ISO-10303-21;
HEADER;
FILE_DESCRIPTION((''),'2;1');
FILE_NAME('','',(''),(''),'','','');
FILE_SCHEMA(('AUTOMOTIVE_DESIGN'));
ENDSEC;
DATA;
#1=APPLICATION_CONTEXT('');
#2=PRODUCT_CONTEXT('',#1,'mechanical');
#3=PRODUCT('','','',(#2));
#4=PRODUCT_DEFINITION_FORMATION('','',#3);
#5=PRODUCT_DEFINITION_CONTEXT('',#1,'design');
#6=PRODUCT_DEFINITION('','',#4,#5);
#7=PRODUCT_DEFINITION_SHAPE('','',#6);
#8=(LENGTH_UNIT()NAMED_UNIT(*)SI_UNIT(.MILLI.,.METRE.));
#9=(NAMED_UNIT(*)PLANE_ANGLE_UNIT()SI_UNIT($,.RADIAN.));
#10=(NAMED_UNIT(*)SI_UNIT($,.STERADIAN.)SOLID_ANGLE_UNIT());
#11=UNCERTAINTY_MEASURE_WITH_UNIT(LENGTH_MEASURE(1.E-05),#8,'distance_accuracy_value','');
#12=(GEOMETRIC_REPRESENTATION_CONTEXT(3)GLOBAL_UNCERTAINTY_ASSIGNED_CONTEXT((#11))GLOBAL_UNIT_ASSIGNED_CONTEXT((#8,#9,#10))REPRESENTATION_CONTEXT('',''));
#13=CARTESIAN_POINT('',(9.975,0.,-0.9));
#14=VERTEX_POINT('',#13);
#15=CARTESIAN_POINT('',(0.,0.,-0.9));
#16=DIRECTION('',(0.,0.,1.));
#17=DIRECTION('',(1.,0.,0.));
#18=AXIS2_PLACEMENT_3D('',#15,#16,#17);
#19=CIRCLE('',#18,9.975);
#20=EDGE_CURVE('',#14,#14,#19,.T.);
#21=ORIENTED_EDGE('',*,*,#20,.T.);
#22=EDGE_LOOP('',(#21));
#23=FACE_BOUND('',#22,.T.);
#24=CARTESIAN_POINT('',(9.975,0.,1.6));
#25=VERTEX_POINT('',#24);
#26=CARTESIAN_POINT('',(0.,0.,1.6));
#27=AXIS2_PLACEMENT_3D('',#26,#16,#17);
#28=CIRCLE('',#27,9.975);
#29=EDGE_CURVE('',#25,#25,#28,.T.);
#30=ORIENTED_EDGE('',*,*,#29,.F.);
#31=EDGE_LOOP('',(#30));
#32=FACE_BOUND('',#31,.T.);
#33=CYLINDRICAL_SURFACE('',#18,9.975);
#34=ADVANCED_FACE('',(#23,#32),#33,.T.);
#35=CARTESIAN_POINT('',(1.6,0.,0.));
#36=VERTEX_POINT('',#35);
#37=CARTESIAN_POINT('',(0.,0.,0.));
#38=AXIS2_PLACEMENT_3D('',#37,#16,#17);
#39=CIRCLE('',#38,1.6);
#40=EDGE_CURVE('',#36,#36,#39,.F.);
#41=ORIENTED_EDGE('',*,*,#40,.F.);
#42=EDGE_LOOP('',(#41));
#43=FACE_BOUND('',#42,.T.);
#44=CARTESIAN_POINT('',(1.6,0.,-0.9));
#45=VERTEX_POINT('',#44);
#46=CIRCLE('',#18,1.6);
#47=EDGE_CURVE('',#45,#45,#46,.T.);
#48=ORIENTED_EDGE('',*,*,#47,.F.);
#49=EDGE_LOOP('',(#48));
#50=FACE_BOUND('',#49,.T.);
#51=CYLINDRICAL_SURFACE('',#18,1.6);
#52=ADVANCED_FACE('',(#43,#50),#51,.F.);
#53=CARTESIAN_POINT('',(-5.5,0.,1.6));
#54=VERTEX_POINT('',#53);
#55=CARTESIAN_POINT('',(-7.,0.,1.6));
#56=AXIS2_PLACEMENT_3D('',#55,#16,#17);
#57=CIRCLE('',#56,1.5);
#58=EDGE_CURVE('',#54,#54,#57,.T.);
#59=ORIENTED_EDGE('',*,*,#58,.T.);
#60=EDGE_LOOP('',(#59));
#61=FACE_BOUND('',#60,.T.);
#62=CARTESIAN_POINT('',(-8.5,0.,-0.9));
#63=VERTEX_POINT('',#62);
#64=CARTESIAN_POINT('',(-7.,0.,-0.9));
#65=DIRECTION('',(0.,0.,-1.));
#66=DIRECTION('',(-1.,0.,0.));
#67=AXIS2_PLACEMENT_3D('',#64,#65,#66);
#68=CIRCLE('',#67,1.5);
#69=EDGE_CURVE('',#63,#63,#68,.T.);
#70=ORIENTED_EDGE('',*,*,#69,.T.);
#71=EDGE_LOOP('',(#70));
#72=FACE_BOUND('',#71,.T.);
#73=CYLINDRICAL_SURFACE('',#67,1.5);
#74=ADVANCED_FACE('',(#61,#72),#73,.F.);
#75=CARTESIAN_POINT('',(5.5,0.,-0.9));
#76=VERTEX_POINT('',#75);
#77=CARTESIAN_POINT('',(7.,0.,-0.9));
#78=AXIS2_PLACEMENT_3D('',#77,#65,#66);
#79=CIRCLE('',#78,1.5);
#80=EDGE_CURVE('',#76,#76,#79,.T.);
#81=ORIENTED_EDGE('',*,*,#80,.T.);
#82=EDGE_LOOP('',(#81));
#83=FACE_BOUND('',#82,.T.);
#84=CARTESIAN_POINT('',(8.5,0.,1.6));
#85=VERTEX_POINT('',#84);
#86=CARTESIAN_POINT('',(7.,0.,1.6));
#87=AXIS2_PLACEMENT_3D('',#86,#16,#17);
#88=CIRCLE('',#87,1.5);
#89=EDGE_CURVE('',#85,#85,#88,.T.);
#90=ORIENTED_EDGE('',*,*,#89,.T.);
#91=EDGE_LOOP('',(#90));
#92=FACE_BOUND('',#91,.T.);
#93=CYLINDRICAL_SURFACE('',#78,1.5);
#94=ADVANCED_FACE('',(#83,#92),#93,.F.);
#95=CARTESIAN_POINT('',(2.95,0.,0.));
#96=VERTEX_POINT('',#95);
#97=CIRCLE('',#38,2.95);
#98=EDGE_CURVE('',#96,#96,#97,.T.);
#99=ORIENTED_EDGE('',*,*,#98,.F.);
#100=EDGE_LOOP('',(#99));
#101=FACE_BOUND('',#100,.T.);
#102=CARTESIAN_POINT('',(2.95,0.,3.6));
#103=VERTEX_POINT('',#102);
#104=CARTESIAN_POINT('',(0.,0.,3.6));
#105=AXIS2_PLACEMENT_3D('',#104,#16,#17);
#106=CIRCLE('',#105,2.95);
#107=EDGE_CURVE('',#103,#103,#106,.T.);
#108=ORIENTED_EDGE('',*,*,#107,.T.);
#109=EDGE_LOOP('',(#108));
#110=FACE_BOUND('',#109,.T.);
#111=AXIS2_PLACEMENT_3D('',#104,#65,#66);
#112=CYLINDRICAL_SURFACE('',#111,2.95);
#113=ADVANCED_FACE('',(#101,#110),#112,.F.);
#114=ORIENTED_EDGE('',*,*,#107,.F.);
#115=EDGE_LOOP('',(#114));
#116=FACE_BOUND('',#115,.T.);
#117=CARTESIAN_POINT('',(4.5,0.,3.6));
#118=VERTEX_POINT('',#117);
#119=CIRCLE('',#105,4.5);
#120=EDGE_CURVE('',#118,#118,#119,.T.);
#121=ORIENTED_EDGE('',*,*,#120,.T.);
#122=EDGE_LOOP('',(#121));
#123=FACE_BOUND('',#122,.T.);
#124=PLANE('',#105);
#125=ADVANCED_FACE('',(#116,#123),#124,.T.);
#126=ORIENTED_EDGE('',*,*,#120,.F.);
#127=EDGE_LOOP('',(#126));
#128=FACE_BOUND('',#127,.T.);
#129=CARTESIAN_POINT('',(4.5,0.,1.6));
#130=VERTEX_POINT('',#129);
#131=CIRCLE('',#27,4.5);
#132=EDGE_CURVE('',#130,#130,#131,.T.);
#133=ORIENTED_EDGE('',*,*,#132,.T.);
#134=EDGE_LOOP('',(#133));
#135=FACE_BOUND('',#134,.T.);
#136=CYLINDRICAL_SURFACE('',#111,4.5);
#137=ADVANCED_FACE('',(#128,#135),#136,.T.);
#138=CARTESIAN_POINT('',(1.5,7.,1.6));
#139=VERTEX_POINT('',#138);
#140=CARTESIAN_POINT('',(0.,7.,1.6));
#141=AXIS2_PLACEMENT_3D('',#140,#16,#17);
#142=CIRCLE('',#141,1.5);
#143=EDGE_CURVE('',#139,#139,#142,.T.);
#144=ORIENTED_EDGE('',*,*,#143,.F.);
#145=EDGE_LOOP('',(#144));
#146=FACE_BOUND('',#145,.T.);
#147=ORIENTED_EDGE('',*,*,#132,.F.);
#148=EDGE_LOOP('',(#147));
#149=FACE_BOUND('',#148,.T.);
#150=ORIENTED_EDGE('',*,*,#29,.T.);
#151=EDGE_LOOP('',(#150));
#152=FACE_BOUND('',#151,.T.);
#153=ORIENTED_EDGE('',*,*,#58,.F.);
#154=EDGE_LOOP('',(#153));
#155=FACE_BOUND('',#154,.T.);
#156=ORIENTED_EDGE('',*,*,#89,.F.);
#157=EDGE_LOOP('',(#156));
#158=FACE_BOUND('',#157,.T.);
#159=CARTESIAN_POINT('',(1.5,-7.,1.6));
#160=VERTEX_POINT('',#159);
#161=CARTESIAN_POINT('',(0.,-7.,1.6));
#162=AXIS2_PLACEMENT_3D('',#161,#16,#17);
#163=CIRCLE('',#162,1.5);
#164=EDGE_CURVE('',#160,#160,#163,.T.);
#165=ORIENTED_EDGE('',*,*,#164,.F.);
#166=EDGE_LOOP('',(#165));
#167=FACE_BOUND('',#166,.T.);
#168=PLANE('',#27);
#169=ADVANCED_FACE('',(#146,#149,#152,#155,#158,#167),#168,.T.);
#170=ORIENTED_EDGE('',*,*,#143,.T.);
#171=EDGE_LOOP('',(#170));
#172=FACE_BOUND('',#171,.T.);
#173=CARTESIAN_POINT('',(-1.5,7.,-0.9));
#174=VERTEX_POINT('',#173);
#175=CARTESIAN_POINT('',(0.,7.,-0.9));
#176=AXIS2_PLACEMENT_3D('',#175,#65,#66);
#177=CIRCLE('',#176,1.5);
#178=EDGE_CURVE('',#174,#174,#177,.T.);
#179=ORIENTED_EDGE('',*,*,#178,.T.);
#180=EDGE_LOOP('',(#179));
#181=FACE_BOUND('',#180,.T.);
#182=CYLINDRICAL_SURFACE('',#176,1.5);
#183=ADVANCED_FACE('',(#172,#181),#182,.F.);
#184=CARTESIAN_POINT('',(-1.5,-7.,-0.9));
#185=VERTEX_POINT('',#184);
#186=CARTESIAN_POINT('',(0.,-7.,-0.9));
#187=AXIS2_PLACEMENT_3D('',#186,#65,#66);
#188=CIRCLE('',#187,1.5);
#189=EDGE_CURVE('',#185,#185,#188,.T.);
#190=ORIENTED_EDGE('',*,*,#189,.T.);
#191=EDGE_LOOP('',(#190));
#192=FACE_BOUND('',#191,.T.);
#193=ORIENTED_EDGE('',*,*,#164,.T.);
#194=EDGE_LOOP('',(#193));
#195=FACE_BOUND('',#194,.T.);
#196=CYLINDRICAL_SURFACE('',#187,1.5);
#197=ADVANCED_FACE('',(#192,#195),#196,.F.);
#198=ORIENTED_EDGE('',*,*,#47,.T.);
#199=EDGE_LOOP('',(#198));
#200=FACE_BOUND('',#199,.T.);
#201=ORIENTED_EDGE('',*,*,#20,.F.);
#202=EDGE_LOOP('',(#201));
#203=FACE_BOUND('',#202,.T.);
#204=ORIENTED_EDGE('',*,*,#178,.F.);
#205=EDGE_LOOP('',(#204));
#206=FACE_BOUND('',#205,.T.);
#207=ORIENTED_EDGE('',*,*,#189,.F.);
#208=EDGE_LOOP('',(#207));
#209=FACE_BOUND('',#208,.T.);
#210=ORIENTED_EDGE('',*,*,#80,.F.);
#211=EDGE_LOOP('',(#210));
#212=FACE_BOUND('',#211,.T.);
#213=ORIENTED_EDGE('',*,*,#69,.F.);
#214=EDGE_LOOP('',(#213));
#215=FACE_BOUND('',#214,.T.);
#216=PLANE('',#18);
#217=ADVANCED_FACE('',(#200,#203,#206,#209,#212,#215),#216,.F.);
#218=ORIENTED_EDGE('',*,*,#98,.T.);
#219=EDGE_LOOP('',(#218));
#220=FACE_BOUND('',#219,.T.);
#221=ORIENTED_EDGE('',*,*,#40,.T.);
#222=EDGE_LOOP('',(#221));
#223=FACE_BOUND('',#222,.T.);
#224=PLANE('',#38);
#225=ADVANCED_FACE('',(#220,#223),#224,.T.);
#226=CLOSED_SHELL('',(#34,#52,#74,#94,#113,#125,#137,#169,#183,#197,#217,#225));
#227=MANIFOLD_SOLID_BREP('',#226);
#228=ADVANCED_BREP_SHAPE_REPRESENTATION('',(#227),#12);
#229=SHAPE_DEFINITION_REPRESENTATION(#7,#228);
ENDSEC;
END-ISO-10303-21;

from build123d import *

# Parameters (mm, degrees)
SKETCH1_R                 = 4.5
SKETCH1_R_2               = 2.95
BOSS_EXTRUDE2_DEPTH       = 3.6
BOSS_EXTRUDE3_START       = 1.6
SKETCH1_4_R               = 9.975
SKETCH1_4_R_2             = 1.6
BOSS_EXTRUDE3_DEPTH       = 2.5
SKETCH1_6_R               = 2.95
CUT_EXTRUDE1_DEPTH        = 1.6
M3X0_5_TAPPED_HOLE1_D     = 3
M3X0_5_TAPPED_HOLE1_DEPTH = 2.5


with BuildPart() as part:
    # Sketch1 → Boss-Extrude2 (new body)
    with BuildSketch(Plane.XY):
        Circle(SKETCH1_R)
        Circle(SKETCH1_R_2, mode=Mode.SUBTRACT)
    extrude(amount=BOSS_EXTRUDE2_DEPTH)

    # Sketch1<4> → Boss-Extrude3 (add)
    with BuildSketch(Plane.XY.offset(BOSS_EXTRUDE3_START)):
        Circle(SKETCH1_4_R)
        Circle(SKETCH1_4_R_2, mode=Mode.SUBTRACT)
    extrude(amount=-BOSS_EXTRUDE3_DEPTH)

    # Sketch1<6> → Cut-Extrude1 (cut)
    with BuildSketch(Plane.XY):
        Circle(SKETCH1_6_R)
    extrude(amount=CUT_EXTRUDE1_DEPTH, mode=Mode.SUBTRACT)

    # M3x0.5 Tapped Hole1
    with Locations(Plane(origin=(0, 0, -0.9), x_dir=(-1, 0, 0), z_dir=(0, 0, -1))):
        with Locations((0, 7), (7, 0), (0, -7), (-7, 0)):
            Hole(M3X0_5_TAPPED_HOLE1_D / 2, depth=M3X0_5_TAPPED_HOLE1_DEPTH)


solid = part.part
